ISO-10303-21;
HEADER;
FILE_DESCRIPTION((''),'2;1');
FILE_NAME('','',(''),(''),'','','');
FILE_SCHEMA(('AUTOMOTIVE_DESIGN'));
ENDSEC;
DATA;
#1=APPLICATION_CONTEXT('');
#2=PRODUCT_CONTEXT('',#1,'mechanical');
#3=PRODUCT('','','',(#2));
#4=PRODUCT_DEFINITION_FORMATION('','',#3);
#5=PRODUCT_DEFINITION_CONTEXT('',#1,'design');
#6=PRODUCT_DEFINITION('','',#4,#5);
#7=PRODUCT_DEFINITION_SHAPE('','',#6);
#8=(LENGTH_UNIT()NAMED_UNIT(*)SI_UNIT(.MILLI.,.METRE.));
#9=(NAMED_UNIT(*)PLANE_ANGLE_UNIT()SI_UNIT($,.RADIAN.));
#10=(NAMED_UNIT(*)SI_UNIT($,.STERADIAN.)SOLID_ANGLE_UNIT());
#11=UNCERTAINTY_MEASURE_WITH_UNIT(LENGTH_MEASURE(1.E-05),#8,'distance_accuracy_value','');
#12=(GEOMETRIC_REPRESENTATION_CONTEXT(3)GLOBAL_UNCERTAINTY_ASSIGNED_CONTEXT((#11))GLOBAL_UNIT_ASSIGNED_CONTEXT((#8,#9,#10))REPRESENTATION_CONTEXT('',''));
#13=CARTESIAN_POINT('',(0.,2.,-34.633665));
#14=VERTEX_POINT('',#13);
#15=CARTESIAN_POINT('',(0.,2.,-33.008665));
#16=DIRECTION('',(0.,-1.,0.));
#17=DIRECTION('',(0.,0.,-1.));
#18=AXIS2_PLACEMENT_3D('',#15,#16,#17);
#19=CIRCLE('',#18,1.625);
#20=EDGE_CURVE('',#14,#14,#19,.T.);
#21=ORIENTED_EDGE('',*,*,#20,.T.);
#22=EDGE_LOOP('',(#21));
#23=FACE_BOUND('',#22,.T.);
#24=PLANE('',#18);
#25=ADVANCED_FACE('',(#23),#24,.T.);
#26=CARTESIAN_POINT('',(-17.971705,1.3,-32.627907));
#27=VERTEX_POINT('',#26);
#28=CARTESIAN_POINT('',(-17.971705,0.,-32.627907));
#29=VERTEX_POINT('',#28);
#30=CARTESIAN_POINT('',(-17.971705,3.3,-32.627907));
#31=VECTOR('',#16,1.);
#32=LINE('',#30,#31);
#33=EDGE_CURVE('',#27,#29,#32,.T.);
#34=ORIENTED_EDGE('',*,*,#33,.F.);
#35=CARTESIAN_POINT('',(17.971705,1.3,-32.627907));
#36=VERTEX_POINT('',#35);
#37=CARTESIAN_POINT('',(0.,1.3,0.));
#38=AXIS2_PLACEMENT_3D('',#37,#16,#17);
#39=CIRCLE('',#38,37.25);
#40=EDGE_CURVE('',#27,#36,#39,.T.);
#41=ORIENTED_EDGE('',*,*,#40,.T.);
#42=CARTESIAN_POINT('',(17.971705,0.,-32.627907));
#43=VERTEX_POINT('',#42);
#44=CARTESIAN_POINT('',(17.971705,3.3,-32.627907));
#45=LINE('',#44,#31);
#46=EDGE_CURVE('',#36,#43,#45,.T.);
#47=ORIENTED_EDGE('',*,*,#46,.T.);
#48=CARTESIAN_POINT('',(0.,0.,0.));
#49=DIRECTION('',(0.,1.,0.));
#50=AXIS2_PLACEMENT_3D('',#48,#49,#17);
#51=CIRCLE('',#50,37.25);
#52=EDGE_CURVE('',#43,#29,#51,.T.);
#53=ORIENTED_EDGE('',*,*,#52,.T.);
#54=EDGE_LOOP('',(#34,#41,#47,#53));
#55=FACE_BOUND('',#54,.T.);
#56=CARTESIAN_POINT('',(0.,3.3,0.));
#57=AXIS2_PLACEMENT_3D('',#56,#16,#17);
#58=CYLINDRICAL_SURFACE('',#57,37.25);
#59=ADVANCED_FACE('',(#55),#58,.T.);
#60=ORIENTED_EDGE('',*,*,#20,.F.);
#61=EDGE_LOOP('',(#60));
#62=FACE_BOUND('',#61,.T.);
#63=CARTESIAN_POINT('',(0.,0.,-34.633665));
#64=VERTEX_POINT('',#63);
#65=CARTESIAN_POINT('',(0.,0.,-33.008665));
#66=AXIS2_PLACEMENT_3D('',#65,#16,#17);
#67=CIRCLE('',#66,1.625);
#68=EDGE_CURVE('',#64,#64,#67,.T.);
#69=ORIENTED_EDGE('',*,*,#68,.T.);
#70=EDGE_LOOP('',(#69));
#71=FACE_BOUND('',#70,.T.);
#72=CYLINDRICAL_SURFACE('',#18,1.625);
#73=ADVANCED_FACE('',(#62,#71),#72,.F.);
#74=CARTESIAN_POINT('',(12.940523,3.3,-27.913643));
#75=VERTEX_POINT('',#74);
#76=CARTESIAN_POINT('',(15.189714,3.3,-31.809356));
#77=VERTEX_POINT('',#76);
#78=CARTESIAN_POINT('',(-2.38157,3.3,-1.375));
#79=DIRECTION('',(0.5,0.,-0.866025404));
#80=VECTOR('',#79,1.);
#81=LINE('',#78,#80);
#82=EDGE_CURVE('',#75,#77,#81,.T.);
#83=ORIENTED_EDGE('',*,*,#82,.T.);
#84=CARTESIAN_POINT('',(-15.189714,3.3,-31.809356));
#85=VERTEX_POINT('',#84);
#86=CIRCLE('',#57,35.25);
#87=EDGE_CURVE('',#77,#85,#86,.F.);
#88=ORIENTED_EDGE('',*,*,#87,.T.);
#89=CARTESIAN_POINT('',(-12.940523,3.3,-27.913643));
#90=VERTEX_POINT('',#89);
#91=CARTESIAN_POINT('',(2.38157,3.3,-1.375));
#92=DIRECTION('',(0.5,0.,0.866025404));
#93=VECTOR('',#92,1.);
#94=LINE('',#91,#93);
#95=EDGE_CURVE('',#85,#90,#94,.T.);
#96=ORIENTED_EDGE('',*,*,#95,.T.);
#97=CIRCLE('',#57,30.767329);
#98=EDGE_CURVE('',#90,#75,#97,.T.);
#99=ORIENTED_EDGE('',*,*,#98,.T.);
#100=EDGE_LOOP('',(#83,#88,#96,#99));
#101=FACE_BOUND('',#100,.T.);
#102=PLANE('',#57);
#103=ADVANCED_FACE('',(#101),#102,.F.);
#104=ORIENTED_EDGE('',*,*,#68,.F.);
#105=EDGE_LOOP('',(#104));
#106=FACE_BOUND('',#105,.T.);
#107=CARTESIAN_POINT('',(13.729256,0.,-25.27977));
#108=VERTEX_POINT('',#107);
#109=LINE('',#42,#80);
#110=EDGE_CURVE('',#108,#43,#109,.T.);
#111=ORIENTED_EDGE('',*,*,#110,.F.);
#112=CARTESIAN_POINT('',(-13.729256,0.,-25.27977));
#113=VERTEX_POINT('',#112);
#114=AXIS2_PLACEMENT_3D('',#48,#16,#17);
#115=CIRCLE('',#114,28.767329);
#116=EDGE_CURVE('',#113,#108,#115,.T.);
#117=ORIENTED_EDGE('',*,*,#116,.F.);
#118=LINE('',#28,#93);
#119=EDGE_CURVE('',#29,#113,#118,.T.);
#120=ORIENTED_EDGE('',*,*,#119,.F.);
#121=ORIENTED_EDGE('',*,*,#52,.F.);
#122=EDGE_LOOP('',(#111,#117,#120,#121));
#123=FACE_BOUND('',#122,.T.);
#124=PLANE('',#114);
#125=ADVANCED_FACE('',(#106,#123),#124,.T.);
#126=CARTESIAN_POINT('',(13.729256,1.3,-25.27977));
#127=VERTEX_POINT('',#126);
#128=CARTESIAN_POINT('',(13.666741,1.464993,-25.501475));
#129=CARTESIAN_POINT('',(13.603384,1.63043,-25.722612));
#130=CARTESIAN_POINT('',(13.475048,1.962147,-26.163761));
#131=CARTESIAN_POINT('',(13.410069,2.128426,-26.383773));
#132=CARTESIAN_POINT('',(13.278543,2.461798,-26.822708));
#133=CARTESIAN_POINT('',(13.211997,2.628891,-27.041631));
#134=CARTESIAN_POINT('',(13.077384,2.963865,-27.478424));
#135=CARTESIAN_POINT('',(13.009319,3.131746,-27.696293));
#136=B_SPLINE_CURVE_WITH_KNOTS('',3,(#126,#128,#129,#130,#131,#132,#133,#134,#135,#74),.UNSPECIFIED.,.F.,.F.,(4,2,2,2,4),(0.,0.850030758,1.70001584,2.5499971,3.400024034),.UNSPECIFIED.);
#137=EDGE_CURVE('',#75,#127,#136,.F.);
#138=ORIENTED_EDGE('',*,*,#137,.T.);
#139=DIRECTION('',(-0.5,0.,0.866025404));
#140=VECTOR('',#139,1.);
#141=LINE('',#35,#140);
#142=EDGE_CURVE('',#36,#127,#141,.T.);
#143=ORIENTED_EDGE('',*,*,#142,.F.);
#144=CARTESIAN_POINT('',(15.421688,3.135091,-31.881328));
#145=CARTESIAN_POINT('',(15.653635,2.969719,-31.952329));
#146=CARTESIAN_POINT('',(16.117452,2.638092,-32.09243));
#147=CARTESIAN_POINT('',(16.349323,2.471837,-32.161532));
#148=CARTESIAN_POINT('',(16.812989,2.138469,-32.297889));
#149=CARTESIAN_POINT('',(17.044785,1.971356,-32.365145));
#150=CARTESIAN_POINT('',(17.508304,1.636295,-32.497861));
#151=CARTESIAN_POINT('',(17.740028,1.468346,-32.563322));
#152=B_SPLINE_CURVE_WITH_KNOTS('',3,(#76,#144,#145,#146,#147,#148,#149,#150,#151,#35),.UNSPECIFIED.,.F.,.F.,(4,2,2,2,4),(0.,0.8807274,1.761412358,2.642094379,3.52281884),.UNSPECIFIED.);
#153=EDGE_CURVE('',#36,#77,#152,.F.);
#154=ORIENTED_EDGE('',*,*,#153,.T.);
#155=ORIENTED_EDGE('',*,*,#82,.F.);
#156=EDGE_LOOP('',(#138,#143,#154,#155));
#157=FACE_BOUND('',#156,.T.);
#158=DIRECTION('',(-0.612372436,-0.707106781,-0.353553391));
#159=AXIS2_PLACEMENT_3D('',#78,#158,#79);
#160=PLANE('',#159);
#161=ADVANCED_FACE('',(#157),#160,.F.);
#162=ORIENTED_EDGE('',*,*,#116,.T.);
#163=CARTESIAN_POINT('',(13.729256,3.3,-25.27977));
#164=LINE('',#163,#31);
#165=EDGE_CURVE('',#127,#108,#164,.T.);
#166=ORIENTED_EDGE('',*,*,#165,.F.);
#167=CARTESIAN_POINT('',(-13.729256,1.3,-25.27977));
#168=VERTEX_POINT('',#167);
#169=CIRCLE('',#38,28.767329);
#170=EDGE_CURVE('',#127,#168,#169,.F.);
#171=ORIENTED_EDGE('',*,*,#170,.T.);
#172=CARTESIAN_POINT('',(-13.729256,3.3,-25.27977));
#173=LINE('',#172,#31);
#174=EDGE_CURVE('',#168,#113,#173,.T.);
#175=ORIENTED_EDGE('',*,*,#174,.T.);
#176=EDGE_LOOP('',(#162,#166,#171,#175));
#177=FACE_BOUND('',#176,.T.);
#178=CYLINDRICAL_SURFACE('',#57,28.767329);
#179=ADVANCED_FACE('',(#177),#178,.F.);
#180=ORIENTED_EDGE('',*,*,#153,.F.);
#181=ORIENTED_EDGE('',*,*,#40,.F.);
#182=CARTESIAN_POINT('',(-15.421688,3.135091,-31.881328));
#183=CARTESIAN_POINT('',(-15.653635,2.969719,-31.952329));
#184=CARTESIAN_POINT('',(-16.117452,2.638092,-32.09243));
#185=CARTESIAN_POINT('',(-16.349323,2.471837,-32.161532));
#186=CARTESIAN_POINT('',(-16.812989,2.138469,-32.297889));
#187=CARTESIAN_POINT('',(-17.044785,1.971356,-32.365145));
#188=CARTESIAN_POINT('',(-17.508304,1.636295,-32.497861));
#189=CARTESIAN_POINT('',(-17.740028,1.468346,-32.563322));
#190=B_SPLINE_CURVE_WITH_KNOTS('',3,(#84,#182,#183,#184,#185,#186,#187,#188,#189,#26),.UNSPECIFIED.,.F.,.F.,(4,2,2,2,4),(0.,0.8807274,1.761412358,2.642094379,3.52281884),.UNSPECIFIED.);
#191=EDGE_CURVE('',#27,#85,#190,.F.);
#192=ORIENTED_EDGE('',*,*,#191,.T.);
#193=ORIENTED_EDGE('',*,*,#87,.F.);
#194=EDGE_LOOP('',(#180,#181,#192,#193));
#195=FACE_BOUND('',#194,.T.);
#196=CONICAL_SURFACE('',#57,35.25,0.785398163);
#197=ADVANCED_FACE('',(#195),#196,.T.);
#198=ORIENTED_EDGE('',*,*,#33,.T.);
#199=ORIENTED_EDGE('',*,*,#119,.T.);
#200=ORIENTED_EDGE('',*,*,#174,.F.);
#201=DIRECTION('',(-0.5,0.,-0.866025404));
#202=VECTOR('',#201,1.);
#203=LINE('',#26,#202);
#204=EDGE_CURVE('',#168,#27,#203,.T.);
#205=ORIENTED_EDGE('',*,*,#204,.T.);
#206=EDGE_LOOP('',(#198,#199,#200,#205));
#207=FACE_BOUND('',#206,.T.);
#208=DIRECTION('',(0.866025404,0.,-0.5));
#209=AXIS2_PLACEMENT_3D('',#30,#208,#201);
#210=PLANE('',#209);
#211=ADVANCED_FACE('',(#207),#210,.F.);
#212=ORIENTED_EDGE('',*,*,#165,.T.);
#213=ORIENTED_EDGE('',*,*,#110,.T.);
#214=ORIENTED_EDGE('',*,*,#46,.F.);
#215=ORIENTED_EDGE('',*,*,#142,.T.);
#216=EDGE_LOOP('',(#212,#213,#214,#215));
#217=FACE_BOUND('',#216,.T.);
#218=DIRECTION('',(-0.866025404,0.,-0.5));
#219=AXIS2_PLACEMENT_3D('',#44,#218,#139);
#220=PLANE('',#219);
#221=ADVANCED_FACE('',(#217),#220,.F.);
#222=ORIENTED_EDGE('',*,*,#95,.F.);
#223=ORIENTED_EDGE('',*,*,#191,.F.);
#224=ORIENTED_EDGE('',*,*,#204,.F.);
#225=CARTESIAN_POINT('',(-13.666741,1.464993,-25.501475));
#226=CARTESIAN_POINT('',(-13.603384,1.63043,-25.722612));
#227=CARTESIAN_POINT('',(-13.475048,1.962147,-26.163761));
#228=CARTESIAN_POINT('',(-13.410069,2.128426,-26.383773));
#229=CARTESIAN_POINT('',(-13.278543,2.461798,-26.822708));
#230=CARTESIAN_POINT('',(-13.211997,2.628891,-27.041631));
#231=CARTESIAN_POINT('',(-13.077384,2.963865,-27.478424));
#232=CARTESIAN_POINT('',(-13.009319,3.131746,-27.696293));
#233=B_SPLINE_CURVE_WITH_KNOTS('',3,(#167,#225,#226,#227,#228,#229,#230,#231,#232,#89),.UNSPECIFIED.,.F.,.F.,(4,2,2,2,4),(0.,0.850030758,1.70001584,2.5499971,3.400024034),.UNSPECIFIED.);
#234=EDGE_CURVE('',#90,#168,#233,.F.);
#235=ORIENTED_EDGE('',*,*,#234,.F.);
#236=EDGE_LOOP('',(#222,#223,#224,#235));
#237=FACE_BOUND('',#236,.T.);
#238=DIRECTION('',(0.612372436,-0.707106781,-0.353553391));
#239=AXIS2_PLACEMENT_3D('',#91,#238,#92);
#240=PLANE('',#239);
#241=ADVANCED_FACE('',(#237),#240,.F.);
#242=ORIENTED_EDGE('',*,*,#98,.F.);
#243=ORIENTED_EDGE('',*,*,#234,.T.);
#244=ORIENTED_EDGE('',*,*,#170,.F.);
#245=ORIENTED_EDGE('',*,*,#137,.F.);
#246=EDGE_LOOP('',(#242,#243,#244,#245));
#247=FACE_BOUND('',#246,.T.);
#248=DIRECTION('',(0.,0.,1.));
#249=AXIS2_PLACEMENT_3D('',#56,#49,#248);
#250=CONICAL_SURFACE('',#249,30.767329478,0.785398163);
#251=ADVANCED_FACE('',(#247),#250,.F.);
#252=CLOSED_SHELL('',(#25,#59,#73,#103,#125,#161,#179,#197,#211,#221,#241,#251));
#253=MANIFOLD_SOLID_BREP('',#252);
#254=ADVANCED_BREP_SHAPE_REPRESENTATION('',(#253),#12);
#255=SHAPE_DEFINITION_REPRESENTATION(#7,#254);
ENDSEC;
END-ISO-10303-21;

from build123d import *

# Parameters (mm, degrees)
BOSS_EXTRUDE1_DEPTH = 3.3
CHAMFER1_SIZE       = 2
SKETCH2_R           = 1.625
CUT_EXTRUDE1_DEPTH  = 2


with BuildPart() as part:
    # Sketch1 → Boss-Extrude1 (new body)
    with BuildSketch(Plane(origin=(0, 0, 0), x_dir=(1, 0, 0), z_dir=(0, 1, 0))):
        with BuildLine():
            Line((-17.971705397, 32.627906846), (-13.729256498, 25.279769804))
            ThreePointArc((-13.729256498, 25.279769804), (0, 28.767329478), (13.729256498, 25.279769804))
            Line((13.729256498, 25.279769804), (17.971705397, 32.627906846))
            ThreePointArc((17.971705397, 32.627906846), (0, 37.25), (-17.971705397, 32.627906846))
        make_face()
    extrude(amount=BOSS_EXTRUDE1_DEPTH)

    # Chamfer1
    chamfer1_edges = [part.edges().sort_by_distance(p)[0] for p in [
        (0, 3.3, -28.767329478),
        (15.850480947, 3.3, -28.953838325),
        (0, 3.3, -37.25),
        (-15.850480947, 3.3, -28.953838325),
    ]]
    chamfer(chamfer1_edges, length=CHAMFER1_SIZE)

    # Sketch2 → Cut-Extrude1 (cut)
    with BuildSketch(Plane.XZ):
        with Locations(Location((0, -33.008664739, 0), (0, 0, 270))):
            Circle(SKETCH2_R)
    extrude(amount=-CUT_EXTRUDE1_DEPTH, mode=Mode.SUBTRACT)


solid = part.part
